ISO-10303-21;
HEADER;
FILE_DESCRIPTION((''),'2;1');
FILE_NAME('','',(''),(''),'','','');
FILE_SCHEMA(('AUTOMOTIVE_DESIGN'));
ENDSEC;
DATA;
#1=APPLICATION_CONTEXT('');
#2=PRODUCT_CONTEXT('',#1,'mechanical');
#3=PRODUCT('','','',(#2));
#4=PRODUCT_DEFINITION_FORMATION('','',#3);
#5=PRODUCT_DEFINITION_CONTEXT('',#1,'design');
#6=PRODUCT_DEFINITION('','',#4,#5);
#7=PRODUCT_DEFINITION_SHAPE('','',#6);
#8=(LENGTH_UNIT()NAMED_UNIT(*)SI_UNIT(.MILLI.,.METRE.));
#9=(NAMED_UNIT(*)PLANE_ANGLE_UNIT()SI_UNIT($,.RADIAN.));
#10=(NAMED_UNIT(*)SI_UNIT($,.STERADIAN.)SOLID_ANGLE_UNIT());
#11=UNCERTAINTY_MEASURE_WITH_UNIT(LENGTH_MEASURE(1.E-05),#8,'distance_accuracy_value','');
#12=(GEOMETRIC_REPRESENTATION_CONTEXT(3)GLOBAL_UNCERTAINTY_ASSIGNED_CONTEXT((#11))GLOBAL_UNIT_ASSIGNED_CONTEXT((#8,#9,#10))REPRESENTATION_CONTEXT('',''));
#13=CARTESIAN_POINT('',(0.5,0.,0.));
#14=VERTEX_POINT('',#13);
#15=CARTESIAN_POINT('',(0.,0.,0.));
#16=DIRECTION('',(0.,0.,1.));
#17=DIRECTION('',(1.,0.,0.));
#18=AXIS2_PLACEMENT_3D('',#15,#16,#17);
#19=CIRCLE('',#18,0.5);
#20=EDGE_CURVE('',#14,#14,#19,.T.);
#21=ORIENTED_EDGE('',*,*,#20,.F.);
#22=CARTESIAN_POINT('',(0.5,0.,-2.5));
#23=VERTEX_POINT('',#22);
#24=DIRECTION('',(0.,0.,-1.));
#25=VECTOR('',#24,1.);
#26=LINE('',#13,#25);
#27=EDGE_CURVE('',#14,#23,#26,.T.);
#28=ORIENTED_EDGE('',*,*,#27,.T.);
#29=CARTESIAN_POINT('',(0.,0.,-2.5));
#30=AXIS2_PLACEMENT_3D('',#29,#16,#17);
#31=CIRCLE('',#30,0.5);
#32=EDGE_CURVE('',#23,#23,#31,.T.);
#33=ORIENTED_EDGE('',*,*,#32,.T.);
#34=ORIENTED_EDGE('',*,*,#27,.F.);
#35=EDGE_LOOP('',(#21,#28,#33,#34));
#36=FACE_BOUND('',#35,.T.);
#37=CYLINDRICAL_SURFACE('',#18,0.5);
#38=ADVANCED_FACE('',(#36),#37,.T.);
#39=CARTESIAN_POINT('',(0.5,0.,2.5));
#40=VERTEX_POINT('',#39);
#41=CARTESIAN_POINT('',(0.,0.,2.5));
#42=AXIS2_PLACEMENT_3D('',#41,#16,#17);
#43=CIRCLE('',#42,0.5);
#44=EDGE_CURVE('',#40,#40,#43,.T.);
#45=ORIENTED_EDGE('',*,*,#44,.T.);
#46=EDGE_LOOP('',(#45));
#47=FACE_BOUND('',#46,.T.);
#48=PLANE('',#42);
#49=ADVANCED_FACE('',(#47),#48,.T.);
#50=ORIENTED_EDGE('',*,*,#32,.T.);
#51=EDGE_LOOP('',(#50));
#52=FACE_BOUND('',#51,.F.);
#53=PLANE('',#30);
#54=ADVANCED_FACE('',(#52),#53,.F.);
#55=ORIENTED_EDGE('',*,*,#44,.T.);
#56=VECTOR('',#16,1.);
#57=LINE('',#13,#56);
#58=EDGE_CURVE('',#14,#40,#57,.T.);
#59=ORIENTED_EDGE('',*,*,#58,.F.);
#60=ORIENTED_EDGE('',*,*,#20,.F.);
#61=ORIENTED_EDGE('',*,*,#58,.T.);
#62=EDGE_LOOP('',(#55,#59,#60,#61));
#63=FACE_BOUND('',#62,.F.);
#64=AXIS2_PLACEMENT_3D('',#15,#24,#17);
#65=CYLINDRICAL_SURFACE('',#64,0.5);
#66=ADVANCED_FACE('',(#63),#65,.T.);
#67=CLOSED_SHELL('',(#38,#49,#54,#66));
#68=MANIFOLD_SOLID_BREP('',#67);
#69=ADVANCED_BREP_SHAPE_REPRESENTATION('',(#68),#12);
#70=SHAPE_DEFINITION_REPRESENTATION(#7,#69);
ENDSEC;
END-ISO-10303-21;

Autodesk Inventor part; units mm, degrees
ref_plane "YZ Plane" through (0, 0, 0) normal (1, 0, 0) x (0, 1, 0)
ref_plane "XZ Plane" through (0, 0, 0) normal (0, 1, 0) x (-1, 0, 0)
ref_plane "XY Plane" through (0, 0, 0) normal (0, 0, 1) x (1, 0, 0)
sketch "Sketch1" plane through (0, 0, 0) normal (0, 0, 1) x (1, 0, 0)
  circle A0 centre (0, 0) radius 0.5
  dimension "d0" = 1
extrude "Extrusion1" add sketch "Sketch1" along normal mid plane 5
properties part number "Trục Pin"
